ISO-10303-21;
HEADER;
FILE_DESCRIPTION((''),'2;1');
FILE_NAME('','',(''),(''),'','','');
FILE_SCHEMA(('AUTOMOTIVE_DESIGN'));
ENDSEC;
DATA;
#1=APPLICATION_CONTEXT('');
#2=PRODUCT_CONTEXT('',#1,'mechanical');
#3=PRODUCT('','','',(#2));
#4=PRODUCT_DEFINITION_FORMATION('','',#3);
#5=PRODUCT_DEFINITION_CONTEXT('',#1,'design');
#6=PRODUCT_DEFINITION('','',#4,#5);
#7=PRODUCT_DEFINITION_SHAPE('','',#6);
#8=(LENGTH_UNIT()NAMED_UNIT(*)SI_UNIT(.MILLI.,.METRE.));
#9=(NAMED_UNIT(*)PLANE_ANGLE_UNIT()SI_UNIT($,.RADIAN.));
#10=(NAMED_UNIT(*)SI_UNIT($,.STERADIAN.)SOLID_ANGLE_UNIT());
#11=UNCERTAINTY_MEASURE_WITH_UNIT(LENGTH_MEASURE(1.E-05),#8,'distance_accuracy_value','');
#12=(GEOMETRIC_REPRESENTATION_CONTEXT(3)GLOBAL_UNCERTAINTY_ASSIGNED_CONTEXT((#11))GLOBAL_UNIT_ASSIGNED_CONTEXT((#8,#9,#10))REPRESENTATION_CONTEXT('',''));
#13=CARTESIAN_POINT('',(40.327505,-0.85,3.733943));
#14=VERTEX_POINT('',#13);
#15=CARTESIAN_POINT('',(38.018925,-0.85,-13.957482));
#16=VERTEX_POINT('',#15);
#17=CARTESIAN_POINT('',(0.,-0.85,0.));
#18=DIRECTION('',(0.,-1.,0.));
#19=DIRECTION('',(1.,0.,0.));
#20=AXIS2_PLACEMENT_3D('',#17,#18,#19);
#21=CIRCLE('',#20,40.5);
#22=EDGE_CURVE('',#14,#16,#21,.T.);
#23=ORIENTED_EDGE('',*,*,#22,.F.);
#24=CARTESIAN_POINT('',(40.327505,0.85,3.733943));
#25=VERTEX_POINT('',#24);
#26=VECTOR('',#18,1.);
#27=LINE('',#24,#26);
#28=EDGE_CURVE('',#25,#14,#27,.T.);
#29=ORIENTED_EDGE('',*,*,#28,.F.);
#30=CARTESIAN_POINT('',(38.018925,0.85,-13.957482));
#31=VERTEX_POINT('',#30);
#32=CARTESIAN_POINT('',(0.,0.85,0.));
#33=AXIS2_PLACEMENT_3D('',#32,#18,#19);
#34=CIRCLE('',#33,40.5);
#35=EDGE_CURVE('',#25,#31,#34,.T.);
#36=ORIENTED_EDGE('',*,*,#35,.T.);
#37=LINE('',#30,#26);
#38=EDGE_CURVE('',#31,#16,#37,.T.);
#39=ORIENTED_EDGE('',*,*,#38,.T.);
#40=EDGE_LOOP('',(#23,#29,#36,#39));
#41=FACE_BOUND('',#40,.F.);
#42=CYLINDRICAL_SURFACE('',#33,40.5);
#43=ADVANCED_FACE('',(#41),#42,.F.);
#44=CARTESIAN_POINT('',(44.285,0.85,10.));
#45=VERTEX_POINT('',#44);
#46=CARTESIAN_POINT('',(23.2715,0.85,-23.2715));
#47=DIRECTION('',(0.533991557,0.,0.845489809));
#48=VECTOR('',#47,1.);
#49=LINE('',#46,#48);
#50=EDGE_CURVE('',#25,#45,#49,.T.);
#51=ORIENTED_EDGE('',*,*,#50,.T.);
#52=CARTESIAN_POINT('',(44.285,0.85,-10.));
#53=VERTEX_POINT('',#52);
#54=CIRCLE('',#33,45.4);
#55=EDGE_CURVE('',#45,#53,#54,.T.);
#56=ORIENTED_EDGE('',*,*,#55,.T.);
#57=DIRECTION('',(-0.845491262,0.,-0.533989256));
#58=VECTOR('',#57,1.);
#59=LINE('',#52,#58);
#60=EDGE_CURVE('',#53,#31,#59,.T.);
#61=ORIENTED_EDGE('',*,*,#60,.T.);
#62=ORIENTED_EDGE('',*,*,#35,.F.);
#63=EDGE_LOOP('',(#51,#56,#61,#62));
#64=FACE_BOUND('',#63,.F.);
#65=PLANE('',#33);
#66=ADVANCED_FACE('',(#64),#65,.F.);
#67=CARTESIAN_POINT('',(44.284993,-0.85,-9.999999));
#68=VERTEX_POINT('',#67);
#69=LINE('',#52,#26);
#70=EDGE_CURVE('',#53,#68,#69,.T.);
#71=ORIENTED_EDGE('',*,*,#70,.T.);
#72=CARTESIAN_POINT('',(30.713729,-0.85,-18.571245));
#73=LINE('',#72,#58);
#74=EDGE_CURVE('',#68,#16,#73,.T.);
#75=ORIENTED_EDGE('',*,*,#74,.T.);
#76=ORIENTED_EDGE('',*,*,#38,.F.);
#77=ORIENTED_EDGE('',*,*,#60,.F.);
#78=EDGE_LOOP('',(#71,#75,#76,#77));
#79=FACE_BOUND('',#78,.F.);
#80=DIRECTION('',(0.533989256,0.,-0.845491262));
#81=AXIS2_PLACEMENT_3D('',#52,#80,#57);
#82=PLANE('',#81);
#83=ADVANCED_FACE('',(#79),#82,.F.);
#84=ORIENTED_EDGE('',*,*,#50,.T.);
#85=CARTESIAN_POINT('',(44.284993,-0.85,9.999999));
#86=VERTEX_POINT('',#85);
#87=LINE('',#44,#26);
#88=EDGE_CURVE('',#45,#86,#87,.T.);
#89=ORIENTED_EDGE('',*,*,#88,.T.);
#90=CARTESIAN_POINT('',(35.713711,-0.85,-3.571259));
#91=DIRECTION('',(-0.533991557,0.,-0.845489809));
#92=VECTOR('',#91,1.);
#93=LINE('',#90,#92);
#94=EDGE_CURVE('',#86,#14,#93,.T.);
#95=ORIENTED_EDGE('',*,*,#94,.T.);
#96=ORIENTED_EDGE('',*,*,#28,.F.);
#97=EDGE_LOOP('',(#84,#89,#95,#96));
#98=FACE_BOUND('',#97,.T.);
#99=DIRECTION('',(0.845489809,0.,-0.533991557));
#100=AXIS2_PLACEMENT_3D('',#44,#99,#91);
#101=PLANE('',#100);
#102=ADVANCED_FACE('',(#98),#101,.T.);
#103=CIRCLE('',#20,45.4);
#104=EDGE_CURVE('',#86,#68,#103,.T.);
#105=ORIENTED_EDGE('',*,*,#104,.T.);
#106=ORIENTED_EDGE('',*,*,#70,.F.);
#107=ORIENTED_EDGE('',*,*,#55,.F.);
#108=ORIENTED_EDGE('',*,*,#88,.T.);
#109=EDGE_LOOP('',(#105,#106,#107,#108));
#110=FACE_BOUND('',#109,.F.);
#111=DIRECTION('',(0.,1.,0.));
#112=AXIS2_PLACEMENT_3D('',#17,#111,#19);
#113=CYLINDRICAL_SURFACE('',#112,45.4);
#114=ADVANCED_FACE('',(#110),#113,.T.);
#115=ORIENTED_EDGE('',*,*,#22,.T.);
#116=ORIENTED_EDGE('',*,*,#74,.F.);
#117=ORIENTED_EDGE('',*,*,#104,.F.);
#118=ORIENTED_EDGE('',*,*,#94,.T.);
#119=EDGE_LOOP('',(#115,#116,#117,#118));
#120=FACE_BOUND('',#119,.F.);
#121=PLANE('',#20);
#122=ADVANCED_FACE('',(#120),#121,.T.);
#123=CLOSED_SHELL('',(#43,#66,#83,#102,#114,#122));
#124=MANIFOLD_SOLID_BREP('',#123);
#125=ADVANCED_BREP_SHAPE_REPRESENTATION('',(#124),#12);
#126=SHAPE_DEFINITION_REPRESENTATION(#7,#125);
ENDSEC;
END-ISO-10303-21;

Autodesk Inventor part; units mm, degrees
ref_plane "YZ Plane" through (0, 0, 0) normal (1, 0, 0) x (0, 1, 0)
ref_plane "XZ Plane" through (0, 0, 0) normal (0, 1, 0) x (-1, 0, 0)
ref_plane "XY Plane" through (0, 0, 0) normal (0, 0, 1) x (1, 0, 0)
sketch "Эскиз1" plane through (0, 0, 0) normal (0, 0, 1) x (1, 0, 0)
  line L0 (0, 0.85) -> (0, -0.85)
  line L1 (40.5, 0.85) -> (40.5, -0.85)
  line L2 (40.5, -0.85) -> (45.4, -0.85)
  line L3 (45.4, -0.85) -> (45.4, 0.85)
  line L4 (45.4, 0.85) -> (40.5, 0.85)
  point P0 (0, 0)
  point P1 (0, 0)
  dimension "d0" = 1.7
  dimension "d1" = 81
  dimension "d2" = 4.9
revolve "Вращение1" add sketch "Эскиз1" angle 360 about axis through (0, 0.85, 0) along (0, -1, 0)
sketch "Эскиз2" plane through (0, 0.85, 0) normal (0, 1, 0) x (1, 0, 0)
  line L0 (44.285, 10) -> (44.285, -10)
  circle A0 centre (0, 0) radius 45.4 projected
  line L1 (0, 0) -> (44.285, 10)
  line L2 (0, 0) -> (44.285, -10)
  line L3 (44.285, 10) -> (0, 37.9692)
  line L4 (44.285, -10) -> (23.2715, 23.2715)
  point P0 (0, 0)
  point P1 (44.285, 0)
  dimension "d4" = 20
  dimension "d6" = 45
  dimension "d7" = 45
extrude "Выдавливание1" cut sketch "Эскиз2" against normal through all contours A0 L0 | L0 L4 L1 | L1 L4 L3
properties part number "65. Кольцо упорное подшипника"
